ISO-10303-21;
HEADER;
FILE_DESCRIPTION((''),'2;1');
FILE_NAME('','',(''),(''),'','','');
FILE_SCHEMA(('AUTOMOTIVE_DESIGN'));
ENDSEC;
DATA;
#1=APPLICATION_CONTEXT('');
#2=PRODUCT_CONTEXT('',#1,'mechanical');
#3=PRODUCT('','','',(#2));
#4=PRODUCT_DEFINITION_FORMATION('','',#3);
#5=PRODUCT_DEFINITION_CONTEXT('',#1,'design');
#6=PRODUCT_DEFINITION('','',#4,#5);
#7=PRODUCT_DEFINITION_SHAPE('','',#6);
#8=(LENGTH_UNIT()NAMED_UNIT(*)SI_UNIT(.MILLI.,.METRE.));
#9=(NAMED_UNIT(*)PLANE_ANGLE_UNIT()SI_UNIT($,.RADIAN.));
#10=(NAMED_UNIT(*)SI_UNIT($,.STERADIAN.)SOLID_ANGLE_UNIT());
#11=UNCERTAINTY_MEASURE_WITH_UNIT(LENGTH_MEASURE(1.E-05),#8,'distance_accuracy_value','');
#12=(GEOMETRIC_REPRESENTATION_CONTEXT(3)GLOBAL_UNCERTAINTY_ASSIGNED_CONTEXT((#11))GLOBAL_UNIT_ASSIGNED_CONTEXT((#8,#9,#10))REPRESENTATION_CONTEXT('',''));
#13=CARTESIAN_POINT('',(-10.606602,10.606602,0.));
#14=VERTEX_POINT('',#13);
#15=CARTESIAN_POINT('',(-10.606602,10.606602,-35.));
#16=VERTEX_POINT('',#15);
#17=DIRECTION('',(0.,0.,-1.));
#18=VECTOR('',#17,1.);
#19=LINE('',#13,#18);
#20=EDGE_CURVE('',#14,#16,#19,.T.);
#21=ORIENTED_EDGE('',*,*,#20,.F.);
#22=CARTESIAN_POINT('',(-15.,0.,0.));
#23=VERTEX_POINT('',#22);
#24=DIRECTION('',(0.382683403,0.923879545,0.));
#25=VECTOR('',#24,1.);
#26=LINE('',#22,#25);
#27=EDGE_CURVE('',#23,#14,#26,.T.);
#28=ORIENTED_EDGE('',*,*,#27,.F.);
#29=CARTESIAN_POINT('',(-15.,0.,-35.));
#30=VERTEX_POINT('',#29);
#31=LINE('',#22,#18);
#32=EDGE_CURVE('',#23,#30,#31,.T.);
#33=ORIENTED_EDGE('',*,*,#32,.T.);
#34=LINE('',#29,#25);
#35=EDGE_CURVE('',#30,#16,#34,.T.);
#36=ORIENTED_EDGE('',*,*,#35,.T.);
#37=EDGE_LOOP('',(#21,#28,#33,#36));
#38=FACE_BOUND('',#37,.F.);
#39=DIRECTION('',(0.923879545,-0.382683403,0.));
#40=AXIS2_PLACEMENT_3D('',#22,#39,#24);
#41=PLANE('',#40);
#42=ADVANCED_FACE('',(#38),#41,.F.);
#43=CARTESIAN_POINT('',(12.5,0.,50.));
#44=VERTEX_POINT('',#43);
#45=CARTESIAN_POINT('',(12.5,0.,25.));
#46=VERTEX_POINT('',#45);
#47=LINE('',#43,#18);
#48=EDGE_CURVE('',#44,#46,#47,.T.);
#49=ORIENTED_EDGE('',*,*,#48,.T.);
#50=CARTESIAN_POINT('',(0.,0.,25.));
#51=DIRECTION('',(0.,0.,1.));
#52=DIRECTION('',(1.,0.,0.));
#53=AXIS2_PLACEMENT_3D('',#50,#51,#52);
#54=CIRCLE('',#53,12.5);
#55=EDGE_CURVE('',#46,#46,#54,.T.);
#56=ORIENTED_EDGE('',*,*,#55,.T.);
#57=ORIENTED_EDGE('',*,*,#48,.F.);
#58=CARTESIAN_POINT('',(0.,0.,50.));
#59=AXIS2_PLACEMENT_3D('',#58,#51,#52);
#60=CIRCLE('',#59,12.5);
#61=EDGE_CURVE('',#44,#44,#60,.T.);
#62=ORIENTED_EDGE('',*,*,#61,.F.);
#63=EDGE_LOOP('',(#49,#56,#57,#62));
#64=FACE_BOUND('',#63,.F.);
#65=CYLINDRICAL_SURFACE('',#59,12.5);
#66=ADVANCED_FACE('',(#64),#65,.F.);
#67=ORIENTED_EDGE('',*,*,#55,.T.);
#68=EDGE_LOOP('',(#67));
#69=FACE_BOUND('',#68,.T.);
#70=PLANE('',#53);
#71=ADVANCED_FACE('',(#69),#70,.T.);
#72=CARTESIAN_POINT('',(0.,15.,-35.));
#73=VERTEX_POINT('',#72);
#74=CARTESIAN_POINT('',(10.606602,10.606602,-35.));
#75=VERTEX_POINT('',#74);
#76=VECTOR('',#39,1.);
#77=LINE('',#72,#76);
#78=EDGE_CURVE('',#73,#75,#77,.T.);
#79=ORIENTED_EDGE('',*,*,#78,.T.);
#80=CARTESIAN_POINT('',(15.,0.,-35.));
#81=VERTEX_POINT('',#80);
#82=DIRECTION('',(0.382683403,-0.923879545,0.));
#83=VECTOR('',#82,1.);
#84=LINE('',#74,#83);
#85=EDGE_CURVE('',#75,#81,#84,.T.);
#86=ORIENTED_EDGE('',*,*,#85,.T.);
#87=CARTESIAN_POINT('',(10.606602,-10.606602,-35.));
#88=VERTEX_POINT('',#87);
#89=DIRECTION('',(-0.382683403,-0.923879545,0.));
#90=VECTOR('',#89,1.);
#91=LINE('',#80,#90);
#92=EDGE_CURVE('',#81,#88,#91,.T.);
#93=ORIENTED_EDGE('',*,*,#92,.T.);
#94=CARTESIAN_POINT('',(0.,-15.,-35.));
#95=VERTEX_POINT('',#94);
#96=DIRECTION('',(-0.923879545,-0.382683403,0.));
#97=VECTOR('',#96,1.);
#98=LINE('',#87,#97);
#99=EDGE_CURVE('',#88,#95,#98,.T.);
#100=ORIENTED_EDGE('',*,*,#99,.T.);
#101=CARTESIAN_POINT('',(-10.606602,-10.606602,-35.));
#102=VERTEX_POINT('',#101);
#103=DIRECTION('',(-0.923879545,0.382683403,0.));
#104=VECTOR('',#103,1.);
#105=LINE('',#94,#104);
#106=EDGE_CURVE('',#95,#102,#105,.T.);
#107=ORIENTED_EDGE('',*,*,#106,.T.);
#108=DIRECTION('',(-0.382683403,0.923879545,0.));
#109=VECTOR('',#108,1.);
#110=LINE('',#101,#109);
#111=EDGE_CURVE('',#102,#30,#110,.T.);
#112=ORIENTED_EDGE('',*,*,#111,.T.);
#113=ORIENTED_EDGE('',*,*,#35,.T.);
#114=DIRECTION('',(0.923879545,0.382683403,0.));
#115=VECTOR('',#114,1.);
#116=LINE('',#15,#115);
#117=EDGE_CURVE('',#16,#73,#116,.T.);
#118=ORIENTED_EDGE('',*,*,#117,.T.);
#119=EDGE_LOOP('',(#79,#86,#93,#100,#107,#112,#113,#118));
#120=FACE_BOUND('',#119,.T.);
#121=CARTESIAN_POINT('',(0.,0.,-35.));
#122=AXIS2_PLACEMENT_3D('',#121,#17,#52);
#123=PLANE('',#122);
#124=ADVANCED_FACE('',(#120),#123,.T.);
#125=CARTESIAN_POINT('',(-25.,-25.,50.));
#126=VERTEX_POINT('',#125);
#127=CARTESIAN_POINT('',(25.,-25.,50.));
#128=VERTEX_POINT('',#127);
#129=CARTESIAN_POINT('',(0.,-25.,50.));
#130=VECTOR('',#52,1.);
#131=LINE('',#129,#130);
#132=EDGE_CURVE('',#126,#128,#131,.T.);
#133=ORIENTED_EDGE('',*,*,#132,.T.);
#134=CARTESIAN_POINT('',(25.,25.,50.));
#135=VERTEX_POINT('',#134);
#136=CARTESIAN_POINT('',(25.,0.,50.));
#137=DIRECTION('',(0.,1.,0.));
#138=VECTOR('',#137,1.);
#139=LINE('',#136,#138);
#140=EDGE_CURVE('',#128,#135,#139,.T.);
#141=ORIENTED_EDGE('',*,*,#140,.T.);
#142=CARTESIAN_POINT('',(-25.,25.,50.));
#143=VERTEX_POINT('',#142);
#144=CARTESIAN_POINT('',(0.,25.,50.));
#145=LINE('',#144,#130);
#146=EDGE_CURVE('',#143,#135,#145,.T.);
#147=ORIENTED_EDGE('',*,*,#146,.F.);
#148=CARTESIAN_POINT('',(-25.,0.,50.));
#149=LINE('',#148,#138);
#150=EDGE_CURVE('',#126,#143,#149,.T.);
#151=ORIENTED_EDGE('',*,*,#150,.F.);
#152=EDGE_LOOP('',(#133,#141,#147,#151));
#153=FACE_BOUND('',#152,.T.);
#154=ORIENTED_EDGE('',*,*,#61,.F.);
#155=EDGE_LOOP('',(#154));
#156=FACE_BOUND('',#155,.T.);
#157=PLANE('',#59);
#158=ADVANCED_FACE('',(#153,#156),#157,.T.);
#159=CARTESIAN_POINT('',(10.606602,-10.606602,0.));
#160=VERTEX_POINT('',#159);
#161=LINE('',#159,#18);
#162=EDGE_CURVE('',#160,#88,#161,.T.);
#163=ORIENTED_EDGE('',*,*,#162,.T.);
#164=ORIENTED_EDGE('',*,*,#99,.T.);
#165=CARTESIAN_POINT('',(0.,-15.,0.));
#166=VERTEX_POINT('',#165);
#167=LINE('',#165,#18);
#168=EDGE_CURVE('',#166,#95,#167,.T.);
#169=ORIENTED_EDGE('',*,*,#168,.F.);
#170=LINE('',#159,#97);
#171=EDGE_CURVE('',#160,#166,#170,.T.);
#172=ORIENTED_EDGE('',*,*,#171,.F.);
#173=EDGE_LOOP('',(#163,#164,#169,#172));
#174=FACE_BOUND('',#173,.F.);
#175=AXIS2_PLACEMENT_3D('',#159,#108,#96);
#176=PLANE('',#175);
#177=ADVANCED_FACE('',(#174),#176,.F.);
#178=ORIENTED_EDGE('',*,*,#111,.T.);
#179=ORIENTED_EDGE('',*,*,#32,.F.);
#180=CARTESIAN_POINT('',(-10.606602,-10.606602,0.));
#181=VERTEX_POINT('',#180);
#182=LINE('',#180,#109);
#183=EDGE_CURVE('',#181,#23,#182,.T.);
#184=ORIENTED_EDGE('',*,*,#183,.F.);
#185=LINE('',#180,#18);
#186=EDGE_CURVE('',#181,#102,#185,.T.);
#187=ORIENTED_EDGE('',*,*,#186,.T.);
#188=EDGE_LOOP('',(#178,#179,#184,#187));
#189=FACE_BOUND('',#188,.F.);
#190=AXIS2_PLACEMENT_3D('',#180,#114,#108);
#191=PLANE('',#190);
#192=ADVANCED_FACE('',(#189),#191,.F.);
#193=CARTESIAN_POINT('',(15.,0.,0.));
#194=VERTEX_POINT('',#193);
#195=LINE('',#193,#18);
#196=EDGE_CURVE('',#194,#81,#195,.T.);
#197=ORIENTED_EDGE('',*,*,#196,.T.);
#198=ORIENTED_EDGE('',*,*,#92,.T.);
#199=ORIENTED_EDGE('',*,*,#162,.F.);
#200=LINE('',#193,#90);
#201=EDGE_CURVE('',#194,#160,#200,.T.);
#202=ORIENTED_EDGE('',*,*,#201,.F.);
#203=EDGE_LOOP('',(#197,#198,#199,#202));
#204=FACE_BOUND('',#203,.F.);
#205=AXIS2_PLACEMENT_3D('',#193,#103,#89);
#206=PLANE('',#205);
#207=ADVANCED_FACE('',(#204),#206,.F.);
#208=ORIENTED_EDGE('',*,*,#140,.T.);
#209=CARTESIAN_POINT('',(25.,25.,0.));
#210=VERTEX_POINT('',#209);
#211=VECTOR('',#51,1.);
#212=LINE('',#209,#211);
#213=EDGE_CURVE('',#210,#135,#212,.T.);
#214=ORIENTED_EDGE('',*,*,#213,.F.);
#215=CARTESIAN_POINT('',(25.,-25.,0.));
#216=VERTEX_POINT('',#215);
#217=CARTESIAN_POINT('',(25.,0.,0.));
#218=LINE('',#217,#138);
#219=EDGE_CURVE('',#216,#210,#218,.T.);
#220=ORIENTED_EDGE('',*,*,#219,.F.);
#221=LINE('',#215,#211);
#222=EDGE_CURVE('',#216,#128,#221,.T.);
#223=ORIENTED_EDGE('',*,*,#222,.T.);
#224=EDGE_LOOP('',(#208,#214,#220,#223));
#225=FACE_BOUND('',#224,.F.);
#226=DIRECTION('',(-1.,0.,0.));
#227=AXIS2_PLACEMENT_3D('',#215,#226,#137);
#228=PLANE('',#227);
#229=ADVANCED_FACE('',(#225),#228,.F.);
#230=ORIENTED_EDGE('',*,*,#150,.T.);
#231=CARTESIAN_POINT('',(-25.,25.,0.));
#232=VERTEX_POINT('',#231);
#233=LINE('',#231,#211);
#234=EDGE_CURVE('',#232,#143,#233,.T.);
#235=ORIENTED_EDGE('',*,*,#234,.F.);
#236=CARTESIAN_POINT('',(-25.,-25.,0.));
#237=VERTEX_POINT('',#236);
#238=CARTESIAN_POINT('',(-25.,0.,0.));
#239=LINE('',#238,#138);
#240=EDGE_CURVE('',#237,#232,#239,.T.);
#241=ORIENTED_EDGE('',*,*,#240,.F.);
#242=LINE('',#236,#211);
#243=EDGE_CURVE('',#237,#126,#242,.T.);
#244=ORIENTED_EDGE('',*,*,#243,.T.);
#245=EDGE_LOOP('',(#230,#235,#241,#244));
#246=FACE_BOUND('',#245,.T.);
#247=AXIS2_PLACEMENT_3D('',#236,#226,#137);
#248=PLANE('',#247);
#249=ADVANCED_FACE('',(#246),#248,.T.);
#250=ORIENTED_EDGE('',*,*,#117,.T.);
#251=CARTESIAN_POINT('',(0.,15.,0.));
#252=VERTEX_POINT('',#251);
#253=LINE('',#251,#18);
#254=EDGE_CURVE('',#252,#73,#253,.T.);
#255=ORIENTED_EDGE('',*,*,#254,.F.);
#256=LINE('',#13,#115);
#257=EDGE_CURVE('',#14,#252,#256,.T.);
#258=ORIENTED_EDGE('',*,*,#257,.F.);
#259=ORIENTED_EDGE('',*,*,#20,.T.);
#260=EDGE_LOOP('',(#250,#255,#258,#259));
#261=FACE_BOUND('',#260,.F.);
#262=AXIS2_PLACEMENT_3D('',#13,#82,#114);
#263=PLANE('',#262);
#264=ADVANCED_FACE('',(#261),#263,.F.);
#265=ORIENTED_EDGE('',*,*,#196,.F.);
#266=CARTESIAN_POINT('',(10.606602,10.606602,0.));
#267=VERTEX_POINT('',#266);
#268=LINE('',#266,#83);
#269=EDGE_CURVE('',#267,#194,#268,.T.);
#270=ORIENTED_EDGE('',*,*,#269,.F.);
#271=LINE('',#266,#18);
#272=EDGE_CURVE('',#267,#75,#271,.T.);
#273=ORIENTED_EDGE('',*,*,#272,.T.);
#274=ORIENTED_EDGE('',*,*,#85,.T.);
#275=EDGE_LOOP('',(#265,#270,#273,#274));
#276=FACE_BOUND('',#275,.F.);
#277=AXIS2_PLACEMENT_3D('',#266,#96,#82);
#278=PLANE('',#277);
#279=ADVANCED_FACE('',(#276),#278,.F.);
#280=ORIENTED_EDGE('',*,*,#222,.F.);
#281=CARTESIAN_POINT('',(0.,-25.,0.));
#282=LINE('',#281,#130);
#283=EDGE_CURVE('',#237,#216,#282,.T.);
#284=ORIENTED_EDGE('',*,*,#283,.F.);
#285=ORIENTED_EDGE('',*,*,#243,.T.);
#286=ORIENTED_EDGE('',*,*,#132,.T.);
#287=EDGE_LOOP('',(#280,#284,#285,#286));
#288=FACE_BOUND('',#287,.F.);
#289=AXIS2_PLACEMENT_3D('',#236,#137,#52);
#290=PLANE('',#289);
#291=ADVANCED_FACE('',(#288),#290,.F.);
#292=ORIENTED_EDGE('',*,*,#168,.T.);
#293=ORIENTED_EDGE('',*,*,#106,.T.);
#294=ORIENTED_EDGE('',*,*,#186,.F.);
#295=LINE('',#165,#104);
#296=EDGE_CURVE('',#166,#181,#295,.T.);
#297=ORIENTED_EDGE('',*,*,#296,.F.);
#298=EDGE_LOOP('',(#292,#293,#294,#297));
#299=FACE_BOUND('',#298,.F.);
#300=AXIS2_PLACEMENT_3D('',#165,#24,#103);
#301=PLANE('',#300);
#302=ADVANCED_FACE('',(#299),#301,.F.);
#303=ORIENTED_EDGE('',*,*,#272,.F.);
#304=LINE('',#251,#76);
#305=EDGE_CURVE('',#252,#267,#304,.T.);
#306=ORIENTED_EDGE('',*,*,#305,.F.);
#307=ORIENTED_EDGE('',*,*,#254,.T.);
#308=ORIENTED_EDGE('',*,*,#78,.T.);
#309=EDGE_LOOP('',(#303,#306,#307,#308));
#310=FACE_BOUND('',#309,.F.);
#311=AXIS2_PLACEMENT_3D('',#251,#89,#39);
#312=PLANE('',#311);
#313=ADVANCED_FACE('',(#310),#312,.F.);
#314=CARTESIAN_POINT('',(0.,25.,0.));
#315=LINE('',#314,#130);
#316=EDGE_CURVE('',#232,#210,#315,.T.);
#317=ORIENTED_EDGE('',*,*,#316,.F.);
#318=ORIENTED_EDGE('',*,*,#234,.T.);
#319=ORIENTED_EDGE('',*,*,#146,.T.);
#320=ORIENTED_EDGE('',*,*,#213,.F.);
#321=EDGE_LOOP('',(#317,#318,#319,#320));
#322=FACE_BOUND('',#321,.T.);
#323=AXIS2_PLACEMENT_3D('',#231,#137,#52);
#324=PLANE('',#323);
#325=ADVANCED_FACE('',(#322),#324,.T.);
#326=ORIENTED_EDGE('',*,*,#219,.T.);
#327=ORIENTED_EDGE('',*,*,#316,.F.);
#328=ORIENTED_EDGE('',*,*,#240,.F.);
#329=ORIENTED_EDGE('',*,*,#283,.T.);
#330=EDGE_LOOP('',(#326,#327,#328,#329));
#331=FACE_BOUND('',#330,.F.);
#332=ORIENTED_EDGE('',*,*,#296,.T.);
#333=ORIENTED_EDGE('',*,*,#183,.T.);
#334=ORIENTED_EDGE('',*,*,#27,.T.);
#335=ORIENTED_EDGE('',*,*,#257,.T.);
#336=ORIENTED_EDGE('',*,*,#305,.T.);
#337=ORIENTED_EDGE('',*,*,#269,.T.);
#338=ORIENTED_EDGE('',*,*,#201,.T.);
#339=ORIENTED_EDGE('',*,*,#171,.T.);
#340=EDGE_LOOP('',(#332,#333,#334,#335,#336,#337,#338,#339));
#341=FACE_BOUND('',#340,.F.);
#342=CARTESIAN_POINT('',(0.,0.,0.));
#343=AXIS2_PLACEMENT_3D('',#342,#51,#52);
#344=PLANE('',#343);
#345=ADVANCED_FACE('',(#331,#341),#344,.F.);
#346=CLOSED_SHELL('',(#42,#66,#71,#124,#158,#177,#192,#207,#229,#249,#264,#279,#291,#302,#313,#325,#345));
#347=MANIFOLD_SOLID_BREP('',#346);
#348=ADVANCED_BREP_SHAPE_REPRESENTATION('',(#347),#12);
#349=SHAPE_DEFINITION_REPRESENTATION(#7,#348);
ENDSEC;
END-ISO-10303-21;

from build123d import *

# Parameters (mm, degrees)
F0_W     = 50
F0_H     = 50
F1_DEPTH = 50
F2_R     = 12.5
F3_DEPTH = 25
F5_DEPTH = 35


with BuildPart() as f1:
    # F0 (on Top) → F1 (new body)
    with BuildSketch(Plane.XY):
        Rectangle(F0_W, F0_H)
    extrude(amount=F1_DEPTH)

    # F2 (on face) → F3 (cut)
    with BuildSketch(Plane.XY.offset(50)):
        Circle(F2_R)
    extrude(amount=-F3_DEPTH, mode=Mode.SUBTRACT)

    # F4 (on face) → F5 (join)
    with BuildSketch(Plane(origin=(0, 0, 0), x_dir=(1, 0, 0), z_dir=(0, 0, -1))):
        Polygon((0, 15), (-10.606602, 10.606602), (-15, 0), (-10.606602, -10.606602), (0, -15), (10.606602, -10.606602), (15, 0), (10.606602, 10.606602), align=None)
    extrude(amount=F5_DEPTH)


solid = f1.part
